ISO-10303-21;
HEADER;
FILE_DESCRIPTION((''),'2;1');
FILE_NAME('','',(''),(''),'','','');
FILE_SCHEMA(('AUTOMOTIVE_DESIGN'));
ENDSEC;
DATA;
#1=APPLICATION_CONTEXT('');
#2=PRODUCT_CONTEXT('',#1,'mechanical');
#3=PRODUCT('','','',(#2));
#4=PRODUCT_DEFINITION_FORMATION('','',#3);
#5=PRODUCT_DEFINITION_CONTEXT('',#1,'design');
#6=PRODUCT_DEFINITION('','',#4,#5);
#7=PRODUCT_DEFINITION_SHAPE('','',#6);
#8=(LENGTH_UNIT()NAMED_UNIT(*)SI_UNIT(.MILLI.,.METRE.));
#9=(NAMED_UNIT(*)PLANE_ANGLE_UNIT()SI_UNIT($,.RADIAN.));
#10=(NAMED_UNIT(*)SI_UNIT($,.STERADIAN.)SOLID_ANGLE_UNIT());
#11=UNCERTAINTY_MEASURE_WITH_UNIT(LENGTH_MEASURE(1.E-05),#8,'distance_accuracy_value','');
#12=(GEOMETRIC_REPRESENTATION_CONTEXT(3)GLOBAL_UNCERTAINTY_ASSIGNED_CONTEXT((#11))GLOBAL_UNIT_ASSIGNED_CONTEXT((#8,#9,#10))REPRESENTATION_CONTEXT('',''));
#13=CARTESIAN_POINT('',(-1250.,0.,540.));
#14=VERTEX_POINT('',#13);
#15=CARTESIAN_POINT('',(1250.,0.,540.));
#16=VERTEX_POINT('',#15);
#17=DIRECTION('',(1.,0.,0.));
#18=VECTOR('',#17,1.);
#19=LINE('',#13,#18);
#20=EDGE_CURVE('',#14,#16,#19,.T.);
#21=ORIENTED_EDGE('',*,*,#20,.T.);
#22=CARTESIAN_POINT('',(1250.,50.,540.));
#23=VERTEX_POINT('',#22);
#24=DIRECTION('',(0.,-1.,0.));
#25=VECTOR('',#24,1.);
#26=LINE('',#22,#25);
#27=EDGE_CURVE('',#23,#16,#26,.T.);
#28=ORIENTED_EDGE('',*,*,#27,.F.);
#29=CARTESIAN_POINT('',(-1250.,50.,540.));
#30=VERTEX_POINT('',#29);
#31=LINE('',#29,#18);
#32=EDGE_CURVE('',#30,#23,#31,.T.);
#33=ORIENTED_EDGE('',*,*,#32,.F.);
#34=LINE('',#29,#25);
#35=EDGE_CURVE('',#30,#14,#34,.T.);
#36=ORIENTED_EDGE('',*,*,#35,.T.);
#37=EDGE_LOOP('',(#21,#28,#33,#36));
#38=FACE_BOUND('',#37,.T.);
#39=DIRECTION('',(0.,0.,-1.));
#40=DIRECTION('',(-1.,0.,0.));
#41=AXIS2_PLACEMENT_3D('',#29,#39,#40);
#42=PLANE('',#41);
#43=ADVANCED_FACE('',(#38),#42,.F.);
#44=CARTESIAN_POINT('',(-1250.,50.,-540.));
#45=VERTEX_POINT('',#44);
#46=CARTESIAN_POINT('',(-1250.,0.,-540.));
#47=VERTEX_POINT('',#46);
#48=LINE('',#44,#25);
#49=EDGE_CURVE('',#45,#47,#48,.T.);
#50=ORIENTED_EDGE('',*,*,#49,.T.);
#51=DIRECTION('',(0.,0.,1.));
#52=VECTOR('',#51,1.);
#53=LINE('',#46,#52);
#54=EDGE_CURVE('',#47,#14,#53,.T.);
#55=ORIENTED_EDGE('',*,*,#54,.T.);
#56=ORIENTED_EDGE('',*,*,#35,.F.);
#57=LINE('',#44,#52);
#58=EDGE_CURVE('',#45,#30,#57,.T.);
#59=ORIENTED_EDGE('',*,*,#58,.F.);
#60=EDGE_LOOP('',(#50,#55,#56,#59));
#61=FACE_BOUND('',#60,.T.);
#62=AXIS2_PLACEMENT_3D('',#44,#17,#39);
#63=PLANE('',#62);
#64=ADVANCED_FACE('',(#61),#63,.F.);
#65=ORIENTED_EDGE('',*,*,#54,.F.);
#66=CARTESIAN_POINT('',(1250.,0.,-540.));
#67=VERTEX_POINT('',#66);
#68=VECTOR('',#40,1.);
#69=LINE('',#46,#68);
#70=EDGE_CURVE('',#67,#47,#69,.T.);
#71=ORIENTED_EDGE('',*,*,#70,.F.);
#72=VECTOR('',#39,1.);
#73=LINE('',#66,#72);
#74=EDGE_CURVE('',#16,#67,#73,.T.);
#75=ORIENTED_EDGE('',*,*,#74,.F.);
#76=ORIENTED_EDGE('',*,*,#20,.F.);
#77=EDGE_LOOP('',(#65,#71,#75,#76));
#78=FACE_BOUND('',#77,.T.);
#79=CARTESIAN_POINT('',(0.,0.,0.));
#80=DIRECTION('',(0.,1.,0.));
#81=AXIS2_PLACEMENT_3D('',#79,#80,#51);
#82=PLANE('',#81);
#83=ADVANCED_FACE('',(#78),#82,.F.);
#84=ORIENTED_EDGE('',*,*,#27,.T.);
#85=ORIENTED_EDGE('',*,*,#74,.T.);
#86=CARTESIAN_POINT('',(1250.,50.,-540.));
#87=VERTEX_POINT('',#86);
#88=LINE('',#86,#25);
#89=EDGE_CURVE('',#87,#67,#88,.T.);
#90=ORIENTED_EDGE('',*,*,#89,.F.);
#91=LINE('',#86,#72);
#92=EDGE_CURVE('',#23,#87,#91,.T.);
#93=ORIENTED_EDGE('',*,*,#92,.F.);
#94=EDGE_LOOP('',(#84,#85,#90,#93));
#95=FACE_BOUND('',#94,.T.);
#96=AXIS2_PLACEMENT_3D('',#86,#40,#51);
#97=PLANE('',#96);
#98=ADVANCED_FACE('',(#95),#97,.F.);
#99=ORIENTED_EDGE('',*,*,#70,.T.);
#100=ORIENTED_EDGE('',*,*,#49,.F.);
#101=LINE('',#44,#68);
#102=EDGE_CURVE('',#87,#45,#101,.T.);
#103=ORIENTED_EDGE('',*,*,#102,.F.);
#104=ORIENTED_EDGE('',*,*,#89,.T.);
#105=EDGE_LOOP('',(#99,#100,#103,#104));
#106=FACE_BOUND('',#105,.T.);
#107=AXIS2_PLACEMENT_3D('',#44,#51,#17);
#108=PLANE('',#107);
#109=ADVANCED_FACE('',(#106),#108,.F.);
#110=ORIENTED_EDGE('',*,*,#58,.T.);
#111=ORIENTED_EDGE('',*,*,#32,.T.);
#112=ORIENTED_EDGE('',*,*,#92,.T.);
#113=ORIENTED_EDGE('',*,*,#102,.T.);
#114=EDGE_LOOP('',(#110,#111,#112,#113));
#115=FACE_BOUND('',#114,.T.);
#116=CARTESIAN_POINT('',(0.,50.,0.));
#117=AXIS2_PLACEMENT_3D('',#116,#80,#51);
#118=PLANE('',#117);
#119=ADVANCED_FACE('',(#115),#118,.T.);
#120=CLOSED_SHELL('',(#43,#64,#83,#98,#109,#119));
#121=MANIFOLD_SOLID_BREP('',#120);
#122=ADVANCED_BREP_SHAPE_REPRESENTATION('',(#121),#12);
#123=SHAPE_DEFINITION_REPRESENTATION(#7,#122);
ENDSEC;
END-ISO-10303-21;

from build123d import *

# Parameters (mm, degrees)
SCHIZZO1_W                   = 2500
SCHIZZO1_H                   = 1080
ESTRUSIONE_ESTRUSIONE1_DEPTH = 50


with BuildPart() as part:
    # Schizzo1 → Estrusione-Estrusione1 (new body)
    with BuildSketch(Plane(origin=(0, 0, 0), x_dir=(1, 0, 0), z_dir=(0, 1, 0))):
        Rectangle(SCHIZZO1_W, SCHIZZO1_H)
    extrude(amount=ESTRUSIONE_ESTRUSIONE1_DEPTH)


solid = part.part
